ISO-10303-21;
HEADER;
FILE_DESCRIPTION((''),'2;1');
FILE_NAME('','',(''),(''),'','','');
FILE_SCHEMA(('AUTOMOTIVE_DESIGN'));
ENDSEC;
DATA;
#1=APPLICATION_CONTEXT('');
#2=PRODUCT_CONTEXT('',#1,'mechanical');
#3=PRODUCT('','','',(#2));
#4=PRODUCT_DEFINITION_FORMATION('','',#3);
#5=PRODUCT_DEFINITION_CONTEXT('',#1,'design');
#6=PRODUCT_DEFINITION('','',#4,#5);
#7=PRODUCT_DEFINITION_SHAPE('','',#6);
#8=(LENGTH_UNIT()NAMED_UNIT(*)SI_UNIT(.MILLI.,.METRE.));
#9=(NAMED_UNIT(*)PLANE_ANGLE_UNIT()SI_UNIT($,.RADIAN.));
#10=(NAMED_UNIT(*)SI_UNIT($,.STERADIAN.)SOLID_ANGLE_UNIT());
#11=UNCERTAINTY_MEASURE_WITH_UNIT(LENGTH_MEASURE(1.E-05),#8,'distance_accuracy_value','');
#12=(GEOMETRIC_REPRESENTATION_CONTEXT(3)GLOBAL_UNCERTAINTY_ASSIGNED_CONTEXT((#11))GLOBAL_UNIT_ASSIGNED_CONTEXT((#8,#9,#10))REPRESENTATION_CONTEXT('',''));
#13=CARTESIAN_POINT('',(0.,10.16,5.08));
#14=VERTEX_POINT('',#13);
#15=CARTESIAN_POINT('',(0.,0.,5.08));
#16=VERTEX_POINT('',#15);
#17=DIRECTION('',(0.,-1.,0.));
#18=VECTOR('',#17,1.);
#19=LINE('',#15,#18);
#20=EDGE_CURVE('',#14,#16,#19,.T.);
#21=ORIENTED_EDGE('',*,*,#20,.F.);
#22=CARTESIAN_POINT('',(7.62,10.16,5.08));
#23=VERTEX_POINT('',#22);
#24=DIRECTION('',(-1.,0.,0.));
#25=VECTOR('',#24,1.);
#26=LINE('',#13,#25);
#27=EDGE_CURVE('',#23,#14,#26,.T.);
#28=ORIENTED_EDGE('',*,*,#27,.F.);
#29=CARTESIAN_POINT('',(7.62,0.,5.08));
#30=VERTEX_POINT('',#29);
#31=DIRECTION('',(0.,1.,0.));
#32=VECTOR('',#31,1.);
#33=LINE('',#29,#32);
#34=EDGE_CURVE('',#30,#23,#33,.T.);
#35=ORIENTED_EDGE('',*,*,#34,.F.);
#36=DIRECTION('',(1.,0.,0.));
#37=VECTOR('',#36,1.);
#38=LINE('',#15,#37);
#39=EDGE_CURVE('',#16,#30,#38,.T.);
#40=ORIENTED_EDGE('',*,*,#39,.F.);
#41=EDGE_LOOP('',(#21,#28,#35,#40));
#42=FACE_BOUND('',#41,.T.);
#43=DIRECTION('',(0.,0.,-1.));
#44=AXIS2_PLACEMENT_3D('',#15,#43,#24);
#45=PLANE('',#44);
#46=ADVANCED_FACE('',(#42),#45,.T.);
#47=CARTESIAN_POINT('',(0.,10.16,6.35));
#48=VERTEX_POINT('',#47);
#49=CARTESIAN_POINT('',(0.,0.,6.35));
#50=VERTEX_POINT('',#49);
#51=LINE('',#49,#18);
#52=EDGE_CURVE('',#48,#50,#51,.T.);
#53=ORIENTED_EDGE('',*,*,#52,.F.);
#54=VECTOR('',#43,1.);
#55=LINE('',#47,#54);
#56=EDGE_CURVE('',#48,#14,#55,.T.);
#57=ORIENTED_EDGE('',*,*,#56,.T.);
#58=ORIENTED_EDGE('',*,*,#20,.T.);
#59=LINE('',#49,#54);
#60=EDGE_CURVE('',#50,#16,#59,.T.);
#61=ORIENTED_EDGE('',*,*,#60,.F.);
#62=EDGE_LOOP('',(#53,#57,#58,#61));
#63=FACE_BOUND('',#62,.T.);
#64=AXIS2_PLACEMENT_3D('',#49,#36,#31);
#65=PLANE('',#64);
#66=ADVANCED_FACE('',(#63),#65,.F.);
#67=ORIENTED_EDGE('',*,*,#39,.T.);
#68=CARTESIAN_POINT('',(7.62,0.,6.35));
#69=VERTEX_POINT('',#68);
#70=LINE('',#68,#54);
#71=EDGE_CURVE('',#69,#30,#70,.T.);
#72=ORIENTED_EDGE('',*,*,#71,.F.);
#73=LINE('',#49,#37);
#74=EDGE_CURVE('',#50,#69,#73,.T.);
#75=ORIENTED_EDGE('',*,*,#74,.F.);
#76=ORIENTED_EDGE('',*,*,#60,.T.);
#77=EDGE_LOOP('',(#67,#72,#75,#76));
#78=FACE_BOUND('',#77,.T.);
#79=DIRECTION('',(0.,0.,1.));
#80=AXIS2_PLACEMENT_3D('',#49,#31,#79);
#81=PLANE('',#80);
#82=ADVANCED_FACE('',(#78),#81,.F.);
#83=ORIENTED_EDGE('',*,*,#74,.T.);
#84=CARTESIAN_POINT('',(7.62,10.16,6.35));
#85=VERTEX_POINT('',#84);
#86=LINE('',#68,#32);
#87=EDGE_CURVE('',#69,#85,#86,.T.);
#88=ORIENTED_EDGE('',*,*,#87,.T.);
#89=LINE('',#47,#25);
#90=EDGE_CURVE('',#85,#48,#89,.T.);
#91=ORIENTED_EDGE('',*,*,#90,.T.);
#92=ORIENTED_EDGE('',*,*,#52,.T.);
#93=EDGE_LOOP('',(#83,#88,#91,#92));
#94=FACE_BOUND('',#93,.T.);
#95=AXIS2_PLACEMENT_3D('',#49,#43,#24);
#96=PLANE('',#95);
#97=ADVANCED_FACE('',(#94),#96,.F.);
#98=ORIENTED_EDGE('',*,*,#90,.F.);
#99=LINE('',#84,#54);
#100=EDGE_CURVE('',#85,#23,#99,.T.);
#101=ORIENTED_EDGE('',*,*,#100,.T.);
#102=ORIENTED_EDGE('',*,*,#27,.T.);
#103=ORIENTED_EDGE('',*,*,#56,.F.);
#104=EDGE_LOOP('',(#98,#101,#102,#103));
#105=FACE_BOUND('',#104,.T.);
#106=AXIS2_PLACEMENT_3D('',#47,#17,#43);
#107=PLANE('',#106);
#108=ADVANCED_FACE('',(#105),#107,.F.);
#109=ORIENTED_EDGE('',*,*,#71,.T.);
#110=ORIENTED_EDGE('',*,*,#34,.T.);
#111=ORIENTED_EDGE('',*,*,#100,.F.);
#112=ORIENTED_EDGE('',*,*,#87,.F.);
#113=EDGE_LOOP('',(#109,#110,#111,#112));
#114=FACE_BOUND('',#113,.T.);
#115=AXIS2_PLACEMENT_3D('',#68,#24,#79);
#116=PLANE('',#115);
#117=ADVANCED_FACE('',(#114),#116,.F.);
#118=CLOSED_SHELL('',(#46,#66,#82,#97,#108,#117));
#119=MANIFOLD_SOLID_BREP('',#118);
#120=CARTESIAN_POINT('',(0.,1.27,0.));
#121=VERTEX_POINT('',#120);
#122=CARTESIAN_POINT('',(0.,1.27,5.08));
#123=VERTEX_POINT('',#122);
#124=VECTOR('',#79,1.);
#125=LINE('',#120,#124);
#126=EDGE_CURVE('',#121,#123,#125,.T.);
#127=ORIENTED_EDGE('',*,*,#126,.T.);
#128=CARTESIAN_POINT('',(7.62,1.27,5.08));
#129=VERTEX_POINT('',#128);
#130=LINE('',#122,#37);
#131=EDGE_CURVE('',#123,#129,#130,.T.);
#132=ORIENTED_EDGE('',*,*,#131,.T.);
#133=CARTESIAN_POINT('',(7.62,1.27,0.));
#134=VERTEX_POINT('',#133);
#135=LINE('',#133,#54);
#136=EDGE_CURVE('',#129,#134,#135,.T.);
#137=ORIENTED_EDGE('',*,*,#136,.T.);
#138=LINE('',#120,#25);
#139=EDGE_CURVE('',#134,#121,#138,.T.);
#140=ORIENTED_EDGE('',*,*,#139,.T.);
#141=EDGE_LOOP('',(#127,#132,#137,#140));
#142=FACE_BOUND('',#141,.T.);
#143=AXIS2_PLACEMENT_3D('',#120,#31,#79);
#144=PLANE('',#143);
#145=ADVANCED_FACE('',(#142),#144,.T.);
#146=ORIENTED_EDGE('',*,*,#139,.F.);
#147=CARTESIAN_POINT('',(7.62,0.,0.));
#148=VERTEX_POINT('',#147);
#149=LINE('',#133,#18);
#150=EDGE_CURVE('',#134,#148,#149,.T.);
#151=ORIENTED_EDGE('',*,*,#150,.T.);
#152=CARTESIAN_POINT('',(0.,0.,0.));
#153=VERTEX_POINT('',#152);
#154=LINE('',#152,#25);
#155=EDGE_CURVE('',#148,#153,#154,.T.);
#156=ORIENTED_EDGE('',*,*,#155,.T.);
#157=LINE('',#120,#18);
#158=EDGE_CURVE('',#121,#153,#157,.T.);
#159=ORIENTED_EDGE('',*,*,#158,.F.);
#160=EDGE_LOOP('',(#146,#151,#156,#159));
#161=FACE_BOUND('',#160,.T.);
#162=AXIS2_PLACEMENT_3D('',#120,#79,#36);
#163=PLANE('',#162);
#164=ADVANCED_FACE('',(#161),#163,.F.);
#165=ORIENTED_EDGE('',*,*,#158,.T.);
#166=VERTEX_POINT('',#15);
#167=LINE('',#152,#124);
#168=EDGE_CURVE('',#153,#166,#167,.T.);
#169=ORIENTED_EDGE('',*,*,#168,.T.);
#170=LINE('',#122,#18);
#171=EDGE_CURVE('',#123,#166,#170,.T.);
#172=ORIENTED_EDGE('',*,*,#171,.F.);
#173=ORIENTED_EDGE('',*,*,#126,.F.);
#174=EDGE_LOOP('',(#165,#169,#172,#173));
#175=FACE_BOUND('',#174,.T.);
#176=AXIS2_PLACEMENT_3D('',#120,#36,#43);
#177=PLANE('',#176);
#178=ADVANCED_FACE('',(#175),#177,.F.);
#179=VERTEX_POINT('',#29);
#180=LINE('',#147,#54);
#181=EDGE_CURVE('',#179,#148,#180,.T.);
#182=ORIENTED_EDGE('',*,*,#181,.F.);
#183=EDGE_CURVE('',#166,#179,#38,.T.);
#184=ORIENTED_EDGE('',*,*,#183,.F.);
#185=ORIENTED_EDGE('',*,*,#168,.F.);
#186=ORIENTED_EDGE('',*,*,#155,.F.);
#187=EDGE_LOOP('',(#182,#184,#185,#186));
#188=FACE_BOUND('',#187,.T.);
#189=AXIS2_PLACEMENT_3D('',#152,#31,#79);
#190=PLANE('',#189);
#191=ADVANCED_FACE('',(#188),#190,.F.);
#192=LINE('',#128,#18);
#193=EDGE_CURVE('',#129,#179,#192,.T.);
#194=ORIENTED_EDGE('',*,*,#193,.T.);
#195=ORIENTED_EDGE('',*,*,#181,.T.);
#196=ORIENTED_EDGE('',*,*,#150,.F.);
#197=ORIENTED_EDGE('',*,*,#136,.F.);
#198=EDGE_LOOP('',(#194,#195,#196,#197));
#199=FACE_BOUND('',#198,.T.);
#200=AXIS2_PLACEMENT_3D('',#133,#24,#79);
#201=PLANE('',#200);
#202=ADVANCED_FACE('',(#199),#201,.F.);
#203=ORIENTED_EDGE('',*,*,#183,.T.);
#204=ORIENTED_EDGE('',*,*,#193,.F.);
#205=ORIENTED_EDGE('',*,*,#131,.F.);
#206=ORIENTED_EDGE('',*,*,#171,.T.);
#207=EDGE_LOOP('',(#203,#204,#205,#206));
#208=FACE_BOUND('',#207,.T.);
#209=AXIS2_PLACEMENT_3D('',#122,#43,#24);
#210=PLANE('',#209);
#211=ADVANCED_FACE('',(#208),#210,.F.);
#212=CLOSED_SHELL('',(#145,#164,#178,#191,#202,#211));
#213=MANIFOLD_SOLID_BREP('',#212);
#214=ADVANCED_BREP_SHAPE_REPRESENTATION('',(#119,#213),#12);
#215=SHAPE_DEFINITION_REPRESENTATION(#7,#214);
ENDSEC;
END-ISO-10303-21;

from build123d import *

# Parameters (mm, degrees)
SKETCH1_W           = 7.62
SKETCH1_H           = 5.08
BOSS_EXTRUDE1_DEPTH = 1.27
SKETCH2_W           = 7.62
SKETCH2_H           = 10.16
BOSS_EXTRUDE2_DEPTH = 1.27


with BuildPart() as part:
    # Sketch1 → Boss-Extrude1 (new body)
    with BuildSketch(Plane(origin=(0, 0, 0), x_dir=(1, 0, 0), z_dir=(0, 1, 0))):
        with Locations((3.81, -2.54)):
            Rectangle(SKETCH1_W, SKETCH1_H)
    extrude(amount=BOSS_EXTRUDE1_DEPTH)


with BuildPart() as body_2:
    # Sketch2 → Boss-Extrude2 (new body)
    with BuildSketch(Plane.XY.offset(5.08)):
        with Locations((3.81, 5.08)):
            Rectangle(SKETCH2_W, SKETCH2_H)
    extrude(amount=BOSS_EXTRUDE2_DEPTH)


solid = Compound([part.part, body_2.part])
